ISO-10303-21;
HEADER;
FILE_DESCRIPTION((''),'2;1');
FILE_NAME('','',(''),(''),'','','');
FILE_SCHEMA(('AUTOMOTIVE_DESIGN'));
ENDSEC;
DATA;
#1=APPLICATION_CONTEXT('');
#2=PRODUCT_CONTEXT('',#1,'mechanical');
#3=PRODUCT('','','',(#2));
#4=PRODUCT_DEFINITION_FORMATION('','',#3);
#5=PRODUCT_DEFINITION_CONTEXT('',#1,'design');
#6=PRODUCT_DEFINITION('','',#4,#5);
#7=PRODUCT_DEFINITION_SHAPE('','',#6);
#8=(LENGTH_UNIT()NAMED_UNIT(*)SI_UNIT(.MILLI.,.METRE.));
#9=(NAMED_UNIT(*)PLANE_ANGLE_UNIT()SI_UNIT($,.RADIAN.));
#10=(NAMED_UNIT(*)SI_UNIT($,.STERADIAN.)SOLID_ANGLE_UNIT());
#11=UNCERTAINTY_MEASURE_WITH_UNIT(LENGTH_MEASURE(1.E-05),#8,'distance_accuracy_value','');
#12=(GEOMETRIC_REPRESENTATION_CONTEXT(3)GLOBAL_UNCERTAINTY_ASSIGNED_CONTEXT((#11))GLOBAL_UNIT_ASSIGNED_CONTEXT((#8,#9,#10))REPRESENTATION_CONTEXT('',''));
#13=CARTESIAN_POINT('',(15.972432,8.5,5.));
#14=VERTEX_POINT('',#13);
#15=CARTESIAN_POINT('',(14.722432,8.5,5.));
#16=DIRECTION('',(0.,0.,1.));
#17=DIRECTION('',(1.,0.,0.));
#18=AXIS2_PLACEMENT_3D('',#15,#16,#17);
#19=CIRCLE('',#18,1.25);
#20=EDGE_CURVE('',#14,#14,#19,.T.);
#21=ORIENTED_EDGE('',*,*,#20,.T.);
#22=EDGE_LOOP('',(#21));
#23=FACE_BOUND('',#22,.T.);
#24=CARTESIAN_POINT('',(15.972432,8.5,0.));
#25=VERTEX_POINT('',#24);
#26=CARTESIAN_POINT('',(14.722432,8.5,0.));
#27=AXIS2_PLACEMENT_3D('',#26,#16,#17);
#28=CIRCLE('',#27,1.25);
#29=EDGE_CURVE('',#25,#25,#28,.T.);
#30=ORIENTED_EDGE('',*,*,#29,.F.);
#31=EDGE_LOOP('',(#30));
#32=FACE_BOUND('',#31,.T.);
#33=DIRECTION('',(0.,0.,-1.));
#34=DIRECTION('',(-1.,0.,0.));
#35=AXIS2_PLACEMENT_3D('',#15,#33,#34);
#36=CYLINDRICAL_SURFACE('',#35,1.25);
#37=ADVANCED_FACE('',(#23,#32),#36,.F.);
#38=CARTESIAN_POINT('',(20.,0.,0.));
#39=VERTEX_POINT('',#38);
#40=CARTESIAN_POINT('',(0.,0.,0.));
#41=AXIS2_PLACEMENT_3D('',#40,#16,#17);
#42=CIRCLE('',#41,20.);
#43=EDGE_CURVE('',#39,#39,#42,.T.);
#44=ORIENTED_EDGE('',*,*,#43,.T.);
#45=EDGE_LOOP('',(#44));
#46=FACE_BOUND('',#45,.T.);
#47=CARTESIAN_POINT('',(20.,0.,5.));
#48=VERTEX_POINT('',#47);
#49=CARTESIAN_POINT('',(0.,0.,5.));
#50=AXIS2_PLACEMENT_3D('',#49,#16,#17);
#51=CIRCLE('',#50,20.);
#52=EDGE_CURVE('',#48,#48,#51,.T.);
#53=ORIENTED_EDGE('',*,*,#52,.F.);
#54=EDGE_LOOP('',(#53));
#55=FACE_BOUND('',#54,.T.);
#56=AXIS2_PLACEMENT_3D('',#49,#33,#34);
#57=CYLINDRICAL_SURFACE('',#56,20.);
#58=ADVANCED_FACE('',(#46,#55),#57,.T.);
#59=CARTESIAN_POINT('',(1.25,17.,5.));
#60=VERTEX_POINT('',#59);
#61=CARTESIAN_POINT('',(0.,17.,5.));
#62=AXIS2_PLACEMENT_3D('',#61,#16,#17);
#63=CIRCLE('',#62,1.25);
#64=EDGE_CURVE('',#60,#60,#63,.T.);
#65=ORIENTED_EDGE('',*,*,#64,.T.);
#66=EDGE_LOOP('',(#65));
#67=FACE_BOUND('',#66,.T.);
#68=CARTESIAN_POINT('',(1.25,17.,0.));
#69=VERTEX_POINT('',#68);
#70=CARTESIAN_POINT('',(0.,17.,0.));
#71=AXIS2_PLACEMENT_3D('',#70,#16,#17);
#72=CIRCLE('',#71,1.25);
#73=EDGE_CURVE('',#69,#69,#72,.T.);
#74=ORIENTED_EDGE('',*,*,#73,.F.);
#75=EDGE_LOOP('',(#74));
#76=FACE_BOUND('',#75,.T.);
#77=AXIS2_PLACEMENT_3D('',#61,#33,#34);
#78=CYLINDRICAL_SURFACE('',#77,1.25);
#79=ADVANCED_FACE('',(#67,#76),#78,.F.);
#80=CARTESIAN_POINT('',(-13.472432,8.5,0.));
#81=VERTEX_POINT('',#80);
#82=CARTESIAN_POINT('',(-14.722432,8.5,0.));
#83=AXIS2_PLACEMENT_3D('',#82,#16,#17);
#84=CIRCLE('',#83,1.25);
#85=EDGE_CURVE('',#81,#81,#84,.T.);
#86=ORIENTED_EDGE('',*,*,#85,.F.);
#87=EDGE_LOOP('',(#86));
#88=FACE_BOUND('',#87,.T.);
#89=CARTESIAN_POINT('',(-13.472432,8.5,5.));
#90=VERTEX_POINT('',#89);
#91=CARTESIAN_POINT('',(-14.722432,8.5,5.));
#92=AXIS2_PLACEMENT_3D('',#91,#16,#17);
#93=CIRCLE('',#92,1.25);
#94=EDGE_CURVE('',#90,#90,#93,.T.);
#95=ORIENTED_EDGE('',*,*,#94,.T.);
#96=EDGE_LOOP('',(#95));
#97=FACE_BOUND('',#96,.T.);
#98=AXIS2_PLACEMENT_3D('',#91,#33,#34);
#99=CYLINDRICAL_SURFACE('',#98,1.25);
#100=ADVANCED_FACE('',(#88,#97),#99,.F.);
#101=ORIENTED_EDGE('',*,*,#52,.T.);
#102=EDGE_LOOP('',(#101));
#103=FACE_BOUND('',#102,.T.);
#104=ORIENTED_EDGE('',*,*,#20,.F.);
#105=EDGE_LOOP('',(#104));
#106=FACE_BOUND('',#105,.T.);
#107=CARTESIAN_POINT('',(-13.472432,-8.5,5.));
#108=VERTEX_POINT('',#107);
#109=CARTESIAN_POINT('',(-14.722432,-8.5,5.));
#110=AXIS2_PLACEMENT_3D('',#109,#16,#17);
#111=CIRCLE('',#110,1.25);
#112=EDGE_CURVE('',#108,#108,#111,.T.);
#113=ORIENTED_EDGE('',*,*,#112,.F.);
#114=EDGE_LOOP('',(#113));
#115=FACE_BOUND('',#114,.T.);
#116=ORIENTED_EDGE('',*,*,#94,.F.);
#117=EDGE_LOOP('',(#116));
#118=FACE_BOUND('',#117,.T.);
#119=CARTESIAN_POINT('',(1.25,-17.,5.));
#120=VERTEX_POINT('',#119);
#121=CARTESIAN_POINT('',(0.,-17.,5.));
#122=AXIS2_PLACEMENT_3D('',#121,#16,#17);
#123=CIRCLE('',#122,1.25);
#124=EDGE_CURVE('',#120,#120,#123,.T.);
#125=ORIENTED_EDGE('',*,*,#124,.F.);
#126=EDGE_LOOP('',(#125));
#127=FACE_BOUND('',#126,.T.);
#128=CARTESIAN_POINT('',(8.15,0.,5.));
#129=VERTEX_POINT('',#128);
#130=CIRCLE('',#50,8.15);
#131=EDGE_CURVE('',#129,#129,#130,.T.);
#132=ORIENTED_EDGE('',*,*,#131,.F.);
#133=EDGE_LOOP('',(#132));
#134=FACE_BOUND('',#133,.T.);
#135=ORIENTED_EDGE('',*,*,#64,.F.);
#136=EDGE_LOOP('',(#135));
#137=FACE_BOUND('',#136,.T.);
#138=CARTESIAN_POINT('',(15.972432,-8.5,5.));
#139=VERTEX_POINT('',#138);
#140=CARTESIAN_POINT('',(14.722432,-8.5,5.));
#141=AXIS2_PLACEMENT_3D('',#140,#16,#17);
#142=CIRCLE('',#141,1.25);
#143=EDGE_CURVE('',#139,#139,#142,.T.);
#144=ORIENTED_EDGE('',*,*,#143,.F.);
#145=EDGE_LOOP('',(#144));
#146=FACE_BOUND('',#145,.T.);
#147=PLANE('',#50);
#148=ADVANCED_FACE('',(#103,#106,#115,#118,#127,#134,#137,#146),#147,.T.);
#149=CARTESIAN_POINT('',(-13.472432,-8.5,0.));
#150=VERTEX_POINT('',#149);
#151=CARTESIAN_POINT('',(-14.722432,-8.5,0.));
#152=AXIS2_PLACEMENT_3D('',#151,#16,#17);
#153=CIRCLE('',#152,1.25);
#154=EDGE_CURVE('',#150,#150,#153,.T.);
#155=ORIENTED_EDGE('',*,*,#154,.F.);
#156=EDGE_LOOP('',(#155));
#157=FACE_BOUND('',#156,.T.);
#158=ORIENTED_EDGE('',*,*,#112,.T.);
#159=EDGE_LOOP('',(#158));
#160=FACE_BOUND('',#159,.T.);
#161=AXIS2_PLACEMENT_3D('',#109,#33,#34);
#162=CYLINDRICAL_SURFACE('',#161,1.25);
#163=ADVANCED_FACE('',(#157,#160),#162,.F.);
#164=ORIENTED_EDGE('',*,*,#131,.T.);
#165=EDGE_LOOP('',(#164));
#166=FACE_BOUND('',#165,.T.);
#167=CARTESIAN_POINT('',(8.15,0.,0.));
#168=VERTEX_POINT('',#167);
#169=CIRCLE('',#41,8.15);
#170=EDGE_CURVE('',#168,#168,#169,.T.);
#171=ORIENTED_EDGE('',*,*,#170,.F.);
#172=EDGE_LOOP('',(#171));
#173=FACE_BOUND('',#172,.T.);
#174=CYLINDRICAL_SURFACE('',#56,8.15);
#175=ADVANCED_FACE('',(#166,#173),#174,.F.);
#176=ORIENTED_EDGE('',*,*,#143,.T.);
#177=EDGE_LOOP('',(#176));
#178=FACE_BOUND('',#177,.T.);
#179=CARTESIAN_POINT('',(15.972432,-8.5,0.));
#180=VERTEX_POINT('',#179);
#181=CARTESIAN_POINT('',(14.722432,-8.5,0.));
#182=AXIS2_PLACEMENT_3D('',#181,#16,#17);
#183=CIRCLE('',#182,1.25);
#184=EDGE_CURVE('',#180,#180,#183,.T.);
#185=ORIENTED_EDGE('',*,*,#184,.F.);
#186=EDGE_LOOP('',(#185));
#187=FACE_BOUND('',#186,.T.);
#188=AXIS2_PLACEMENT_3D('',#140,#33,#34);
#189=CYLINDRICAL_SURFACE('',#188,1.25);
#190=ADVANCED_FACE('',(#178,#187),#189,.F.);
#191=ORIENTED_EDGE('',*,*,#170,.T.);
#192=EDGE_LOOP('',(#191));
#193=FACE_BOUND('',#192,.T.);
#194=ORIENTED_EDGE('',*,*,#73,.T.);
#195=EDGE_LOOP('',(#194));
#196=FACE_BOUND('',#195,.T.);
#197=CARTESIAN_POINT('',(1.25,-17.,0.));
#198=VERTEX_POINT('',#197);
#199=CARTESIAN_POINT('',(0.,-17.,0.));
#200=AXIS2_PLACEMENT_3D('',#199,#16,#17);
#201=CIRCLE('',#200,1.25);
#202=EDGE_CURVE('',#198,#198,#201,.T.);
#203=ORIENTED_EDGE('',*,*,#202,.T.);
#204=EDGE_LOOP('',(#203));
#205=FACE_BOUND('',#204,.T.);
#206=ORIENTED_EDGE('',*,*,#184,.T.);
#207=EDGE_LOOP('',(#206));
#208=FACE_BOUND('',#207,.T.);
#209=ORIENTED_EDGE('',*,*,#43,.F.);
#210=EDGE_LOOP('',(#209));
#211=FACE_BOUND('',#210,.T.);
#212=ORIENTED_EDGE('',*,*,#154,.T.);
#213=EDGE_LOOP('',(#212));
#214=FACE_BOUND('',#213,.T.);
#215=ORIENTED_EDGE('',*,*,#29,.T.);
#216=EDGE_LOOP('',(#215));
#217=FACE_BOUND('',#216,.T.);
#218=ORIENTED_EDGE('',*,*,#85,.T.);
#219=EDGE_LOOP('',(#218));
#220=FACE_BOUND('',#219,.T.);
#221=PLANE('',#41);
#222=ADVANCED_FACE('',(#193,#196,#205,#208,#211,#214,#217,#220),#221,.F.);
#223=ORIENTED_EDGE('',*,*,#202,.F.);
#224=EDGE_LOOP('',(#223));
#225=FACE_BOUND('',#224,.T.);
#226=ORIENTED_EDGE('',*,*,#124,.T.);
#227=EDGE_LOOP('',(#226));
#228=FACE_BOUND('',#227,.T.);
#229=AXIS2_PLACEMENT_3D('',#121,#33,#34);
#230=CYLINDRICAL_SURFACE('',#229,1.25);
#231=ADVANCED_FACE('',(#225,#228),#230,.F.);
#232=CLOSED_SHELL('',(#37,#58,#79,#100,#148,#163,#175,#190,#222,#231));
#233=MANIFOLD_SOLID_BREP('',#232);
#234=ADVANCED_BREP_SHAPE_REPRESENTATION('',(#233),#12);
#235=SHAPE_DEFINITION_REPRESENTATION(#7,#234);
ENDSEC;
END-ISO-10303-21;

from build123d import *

# Parameters (mm, degrees)
SKETCH1_R           = 20
SKETCH1_R_2         = 1.25
SKETCH1_R_3         = 8.15
BOSS_EXTRUDE1_DEPTH = 5


with BuildPart() as part:
    # Sketch1 → Boss-Extrude1 (new body)
    with BuildSketch(Plane.XY):
        Circle(SKETCH1_R)
        with Locations((0, 17)):
            Circle(SKETCH1_R_2, mode=Mode.SUBTRACT)
        with Locations((14.722431864, 8.5)):
            Circle(SKETCH1_R_2, mode=Mode.SUBTRACT)
        with Locations((14.722431864, -8.5)):
            Circle(SKETCH1_R_2, mode=Mode.SUBTRACT)
        with Locations((0, -17)):
            Circle(SKETCH1_R_2, mode=Mode.SUBTRACT)
        with Locations((-14.722431864, -8.5)):
            Circle(SKETCH1_R_2, mode=Mode.SUBTRACT)
        with Locations((-14.722431864, 8.5)):
            Circle(SKETCH1_R_2, mode=Mode.SUBTRACT)
        Circle(SKETCH1_R_3, mode=Mode.SUBTRACT)
    extrude(amount=BOSS_EXTRUDE1_DEPTH)


solid = part.part
